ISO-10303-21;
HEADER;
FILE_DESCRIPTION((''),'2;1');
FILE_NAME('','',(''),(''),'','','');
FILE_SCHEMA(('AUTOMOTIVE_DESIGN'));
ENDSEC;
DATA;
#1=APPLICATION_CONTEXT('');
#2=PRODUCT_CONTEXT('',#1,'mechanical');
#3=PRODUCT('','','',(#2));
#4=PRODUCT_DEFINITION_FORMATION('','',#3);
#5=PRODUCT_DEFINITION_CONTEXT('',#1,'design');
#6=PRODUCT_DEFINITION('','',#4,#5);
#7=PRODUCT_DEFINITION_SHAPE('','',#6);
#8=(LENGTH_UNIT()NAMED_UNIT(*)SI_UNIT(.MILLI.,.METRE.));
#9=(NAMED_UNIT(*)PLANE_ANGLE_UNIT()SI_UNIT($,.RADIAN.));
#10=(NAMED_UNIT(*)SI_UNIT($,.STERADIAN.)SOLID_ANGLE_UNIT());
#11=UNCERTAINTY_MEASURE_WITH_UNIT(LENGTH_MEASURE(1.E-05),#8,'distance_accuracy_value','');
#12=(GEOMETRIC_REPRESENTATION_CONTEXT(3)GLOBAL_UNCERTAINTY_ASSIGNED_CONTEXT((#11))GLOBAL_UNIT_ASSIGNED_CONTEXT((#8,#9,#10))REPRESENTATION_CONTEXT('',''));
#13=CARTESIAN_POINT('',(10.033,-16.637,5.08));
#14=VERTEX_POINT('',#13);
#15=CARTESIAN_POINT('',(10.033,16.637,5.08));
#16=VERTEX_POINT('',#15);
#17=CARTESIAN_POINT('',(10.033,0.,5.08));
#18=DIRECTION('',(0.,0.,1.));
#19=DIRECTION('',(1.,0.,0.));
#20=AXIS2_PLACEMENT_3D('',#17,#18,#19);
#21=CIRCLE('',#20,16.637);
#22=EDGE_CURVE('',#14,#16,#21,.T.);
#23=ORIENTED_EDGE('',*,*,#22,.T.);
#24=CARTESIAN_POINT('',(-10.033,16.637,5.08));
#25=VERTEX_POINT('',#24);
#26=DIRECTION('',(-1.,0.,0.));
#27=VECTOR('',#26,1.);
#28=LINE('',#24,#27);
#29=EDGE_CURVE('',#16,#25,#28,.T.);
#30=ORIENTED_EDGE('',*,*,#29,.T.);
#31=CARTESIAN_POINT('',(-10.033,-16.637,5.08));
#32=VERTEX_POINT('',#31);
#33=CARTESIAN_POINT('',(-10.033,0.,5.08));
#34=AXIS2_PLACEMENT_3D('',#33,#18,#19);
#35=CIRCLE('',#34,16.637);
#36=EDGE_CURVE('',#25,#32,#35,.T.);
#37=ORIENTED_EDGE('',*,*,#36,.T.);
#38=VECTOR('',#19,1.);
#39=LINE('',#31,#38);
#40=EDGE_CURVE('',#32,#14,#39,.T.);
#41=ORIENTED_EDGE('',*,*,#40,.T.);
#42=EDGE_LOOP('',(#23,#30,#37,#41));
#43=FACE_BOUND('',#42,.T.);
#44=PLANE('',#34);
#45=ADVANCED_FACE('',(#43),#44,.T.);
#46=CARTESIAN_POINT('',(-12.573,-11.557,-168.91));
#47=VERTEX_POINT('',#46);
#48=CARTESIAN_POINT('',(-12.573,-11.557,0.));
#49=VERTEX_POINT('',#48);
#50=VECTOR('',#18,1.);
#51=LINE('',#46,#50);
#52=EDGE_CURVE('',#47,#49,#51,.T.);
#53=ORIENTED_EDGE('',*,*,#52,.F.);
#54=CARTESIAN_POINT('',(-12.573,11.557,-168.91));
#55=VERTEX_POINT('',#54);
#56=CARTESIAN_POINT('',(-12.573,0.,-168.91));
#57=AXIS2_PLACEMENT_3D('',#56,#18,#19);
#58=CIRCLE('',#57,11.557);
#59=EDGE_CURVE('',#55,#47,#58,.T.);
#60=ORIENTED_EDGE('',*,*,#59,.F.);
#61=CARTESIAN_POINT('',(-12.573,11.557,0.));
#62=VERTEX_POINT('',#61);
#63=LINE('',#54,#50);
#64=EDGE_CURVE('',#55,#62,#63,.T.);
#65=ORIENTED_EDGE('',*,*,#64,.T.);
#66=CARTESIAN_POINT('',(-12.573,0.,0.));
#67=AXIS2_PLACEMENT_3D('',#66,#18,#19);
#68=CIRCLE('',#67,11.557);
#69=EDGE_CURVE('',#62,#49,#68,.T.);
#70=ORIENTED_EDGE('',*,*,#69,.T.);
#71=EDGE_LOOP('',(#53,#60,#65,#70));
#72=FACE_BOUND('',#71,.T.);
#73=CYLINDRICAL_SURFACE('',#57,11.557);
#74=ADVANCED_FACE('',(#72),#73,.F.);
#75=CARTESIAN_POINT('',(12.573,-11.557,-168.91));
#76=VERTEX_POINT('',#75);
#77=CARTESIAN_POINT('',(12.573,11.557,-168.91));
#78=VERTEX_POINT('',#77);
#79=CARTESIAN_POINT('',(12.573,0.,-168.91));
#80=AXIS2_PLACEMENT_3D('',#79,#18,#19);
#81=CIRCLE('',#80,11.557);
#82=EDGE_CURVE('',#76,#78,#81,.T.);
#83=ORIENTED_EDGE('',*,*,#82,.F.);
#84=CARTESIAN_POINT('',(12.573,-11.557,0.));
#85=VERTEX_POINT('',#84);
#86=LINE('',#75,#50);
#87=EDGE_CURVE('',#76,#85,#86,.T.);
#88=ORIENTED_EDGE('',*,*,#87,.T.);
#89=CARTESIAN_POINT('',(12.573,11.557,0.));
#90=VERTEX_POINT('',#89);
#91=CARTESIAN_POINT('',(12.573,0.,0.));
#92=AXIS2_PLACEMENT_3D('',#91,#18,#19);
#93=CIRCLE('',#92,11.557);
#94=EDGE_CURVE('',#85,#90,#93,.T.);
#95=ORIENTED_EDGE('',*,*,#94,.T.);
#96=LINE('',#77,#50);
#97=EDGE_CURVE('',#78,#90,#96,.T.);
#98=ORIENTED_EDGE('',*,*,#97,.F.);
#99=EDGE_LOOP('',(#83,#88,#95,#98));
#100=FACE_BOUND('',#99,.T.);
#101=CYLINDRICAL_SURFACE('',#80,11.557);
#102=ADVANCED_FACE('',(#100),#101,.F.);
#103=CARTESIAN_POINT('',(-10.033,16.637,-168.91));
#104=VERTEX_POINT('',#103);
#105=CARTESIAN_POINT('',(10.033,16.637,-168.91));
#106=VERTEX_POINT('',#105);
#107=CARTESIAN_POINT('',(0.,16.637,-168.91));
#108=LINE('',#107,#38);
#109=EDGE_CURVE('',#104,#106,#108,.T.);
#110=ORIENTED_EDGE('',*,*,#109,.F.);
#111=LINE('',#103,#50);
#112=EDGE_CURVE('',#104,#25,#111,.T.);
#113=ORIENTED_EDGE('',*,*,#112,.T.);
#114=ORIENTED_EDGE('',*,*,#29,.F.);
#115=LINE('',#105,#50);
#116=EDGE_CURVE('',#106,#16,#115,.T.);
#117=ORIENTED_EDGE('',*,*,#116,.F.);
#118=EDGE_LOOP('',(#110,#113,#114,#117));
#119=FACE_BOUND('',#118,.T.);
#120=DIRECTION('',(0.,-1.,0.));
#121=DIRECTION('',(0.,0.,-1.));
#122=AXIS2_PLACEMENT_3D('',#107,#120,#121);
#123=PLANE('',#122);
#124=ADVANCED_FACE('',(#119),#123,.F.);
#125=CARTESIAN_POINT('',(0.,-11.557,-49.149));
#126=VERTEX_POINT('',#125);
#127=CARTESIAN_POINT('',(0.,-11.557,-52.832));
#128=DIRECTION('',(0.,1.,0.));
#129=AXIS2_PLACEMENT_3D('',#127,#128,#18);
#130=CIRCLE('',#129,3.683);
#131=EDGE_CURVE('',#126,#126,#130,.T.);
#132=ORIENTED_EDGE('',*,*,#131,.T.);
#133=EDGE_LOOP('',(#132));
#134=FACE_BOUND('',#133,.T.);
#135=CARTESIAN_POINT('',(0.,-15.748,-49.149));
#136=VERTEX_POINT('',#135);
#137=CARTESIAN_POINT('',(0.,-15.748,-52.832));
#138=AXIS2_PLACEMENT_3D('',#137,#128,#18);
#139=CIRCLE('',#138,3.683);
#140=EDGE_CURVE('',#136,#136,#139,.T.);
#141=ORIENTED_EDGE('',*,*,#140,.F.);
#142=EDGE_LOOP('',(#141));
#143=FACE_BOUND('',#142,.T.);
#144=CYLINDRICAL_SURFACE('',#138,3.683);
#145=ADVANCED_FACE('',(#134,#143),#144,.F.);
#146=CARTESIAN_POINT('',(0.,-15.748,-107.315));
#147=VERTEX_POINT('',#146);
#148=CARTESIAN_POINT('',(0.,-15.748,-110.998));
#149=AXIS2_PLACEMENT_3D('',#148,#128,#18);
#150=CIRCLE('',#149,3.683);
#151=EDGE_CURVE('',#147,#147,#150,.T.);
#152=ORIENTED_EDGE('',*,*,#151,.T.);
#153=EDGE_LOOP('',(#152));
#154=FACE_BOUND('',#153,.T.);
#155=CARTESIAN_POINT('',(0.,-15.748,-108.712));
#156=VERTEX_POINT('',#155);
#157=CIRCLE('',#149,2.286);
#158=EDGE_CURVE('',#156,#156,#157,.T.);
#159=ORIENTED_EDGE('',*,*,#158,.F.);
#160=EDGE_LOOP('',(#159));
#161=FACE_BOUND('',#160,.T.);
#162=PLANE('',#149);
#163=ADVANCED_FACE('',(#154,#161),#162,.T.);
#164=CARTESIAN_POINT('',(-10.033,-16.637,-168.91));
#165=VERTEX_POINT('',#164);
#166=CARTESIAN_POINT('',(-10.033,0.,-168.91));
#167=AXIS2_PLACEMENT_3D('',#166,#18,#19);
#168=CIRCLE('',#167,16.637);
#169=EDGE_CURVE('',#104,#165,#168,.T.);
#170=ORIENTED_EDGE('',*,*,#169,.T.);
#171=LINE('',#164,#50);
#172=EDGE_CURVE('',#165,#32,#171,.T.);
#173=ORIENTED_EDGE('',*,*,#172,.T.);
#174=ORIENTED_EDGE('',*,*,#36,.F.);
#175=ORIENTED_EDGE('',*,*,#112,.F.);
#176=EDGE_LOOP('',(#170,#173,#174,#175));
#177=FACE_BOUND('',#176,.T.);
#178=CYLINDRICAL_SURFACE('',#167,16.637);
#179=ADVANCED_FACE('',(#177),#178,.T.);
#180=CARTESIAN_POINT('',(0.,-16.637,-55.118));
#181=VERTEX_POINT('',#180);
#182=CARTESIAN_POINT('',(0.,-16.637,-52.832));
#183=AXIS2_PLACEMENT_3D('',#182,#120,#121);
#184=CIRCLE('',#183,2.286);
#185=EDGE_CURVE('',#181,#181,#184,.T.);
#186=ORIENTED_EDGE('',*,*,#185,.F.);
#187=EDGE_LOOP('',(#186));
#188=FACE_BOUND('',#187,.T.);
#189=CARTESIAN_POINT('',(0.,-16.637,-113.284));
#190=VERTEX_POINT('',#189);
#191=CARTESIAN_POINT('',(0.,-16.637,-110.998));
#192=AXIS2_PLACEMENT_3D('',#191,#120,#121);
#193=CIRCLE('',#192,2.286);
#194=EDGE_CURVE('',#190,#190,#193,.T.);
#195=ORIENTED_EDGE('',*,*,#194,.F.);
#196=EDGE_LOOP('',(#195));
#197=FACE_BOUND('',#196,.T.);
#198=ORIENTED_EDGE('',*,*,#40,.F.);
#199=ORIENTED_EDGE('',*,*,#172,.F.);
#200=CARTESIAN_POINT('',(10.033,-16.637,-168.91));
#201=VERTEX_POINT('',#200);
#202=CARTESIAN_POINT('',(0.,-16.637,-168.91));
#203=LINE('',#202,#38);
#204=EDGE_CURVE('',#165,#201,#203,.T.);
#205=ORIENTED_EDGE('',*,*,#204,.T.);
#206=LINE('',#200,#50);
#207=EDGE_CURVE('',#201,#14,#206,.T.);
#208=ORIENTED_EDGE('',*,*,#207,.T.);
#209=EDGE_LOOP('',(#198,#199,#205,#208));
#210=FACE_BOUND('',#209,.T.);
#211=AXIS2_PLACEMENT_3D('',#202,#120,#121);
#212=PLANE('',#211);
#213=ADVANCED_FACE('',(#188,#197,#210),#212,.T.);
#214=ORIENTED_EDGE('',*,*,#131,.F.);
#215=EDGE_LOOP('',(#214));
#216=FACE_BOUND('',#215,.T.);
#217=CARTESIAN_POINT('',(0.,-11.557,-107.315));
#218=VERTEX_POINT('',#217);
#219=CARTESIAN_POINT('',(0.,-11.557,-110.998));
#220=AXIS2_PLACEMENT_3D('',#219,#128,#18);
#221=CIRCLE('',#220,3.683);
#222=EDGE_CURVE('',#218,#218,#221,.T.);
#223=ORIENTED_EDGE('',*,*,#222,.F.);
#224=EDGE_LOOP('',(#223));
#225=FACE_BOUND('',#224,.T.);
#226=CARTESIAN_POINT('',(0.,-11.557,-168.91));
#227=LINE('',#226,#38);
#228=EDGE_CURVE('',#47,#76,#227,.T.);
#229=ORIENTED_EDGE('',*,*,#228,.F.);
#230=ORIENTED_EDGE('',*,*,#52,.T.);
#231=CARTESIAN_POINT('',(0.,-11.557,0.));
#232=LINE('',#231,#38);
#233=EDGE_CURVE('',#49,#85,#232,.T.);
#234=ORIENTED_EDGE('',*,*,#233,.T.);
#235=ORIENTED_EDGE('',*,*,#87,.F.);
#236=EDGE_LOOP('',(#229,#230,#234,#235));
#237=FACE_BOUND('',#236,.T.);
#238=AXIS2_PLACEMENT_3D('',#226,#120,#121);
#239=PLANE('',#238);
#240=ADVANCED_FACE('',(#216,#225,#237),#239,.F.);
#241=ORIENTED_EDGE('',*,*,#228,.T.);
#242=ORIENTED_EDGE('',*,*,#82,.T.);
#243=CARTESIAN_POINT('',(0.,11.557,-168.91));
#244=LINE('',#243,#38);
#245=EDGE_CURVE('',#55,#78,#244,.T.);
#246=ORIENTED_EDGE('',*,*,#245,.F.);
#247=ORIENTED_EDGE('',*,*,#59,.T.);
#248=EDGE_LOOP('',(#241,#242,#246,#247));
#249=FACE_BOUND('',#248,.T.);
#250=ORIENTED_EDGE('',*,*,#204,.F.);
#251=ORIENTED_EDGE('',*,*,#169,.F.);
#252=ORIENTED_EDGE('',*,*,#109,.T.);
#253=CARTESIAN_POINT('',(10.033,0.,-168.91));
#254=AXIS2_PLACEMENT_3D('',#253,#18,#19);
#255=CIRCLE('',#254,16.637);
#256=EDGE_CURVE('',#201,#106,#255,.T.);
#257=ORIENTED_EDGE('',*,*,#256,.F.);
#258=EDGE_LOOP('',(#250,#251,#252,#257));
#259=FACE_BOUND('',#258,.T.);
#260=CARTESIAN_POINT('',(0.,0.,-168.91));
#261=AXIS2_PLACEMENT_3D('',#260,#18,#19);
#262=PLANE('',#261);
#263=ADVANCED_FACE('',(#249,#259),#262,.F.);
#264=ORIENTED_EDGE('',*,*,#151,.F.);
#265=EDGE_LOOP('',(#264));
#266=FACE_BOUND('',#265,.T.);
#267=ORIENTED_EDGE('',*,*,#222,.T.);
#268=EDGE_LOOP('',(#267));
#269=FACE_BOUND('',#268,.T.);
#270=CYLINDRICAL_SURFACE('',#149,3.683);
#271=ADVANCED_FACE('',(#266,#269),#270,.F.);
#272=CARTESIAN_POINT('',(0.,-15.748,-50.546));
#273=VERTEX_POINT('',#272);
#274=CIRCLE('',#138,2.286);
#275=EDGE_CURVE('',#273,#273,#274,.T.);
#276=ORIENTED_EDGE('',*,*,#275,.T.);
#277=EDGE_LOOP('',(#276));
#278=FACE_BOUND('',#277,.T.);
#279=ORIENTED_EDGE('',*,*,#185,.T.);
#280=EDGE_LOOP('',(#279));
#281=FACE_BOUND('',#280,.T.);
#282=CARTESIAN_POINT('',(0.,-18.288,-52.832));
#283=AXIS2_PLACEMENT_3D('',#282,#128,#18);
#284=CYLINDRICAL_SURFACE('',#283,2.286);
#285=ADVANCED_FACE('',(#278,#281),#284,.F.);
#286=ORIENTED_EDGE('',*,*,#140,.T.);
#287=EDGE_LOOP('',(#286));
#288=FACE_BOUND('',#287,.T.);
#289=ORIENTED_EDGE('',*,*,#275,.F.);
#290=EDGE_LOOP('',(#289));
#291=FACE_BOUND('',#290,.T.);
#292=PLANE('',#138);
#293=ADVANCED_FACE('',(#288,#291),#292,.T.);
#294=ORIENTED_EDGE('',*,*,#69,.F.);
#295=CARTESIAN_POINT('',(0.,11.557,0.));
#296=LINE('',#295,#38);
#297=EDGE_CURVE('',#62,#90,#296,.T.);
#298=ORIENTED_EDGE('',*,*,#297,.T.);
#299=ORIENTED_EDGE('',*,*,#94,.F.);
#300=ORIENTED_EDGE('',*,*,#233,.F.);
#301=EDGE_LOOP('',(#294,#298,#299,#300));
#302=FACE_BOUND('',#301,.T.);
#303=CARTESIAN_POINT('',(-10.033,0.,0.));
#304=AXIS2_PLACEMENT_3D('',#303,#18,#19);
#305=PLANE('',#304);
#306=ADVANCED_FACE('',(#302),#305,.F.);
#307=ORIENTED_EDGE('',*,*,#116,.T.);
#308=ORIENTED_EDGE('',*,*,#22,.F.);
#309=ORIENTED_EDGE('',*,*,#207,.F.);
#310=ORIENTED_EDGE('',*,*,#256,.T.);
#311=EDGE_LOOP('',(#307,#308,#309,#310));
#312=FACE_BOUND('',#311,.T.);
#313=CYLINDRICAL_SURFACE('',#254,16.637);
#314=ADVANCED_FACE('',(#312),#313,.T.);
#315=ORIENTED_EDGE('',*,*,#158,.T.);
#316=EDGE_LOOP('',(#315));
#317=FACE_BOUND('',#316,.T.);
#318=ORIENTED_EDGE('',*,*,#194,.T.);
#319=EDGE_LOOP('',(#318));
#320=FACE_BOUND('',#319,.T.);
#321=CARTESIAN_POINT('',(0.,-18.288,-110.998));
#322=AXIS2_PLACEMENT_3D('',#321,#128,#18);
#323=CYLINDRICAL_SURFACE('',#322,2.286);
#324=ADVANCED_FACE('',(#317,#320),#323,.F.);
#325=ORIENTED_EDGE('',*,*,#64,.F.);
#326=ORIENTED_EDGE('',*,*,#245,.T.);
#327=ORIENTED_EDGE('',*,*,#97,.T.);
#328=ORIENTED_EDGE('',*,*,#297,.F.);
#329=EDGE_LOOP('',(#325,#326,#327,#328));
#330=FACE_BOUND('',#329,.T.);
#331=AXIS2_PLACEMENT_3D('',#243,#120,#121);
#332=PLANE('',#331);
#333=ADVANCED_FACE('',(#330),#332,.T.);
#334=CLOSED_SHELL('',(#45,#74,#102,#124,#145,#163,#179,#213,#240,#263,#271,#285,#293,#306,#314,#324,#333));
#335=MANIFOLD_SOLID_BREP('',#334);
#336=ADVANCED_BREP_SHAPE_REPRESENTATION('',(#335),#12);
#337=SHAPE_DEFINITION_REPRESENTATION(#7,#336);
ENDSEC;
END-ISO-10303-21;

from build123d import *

# Parameters (mm, degrees)
BOSS_EXTRUDE1_DEPTH = 168.91
BOSS_EXTRUDE2_DEPTH = 5.08
SKETCH5_R           = 3.683
CUT_EXTRUDE2_DEPTH  = 4.191
SKETCH6_R           = 2.286
CUT_EXTRUDE3_DEPTH  = 6.731


with BuildPart() as part:
    # Sketch1 → Boss-Extrude1 (new body)
    with BuildSketch(Plane.XY):
        with BuildLine():
            ThreePointArc((-24.13, 0), (-20.74503307, 8.17203307), (-12.573, 11.557))
            Line((-12.573, 11.557), (12.573, 11.557))
            ThreePointArc((12.573, 11.557), (20.74503307, 8.17203307), (24.13, 0))
            Line((24.13, 0), (26.67, 0))
            ThreePointArc((26.67, 0), (21.797135519, 11.764135519), (10.033, 16.637))
            Line((10.033, 16.637), (-10.033, 16.637))
            ThreePointArc((-10.033, 16.637), (-21.797135519, 11.764135519), (-26.67, 0))
            Line((-26.67, 0), (-24.13, 0))
        make_face()
        with BuildLine():
            ThreePointArc((-12.573, -11.557), (-20.74503307, -8.17203307), (-24.13, 0))
            Line((-24.13, 0), (-26.67, 0))
            ThreePointArc((-26.67, 0), (-21.797135519, -11.764135519), (-10.033, -16.637))
            Line((-10.033, -16.637), (10.033, -16.637))
            ThreePointArc((10.033, -16.637), (21.797135519, -11.764135519), (26.67, 0))
            Line((26.67, 0), (24.13, 0))
            ThreePointArc((24.13, 0), (20.74503307, -8.17203307), (12.573, -11.557))
            Line((12.573, -11.557), (-12.573, -11.557))
        make_face()
    extrude(amount=-BOSS_EXTRUDE1_DEPTH)

    # Sketch3 → Boss-Extrude2 (add)
    with BuildSketch(Plane.XY):
        with BuildLine():
            Line((-10.033, 16.637), (10.033, 16.637))
            ThreePointArc((10.033, 16.637), (26.67, 0), (10.033, -16.637))
            Line((10.033, -16.637), (-10.033, -16.637))
            ThreePointArc((-10.033, -16.637), (-26.67, 0), (-10.033, 16.637))
        make_face()
    extrude(amount=BOSS_EXTRUDE2_DEPTH)

    # Sketch5 → Cut-Extrude2 (cut)
    with BuildSketch(Plane(origin=(0, -11.557, 0), x_dir=(1, 0, 0), z_dir=(0, 1, 0))):
        with Locations((0, 110.998)):
            Circle(SKETCH5_R)
        with Locations((0, 52.832)):
            Circle(SKETCH5_R)
    extrude(amount=-CUT_EXTRUDE2_DEPTH, mode=Mode.SUBTRACT)

    # Sketch6 → Cut-Extrude3 (cut)
    with BuildSketch(Plane(origin=(0, -11.557, 0), x_dir=(1, 0, 0), z_dir=(0, 1, 0))):
        with Locations((0, 110.998)):
            Circle(SKETCH6_R)
        with Locations((0, 52.832)):
            Circle(SKETCH6_R)
    extrude(amount=-CUT_EXTRUDE3_DEPTH, mode=Mode.SUBTRACT)


solid = part.part
